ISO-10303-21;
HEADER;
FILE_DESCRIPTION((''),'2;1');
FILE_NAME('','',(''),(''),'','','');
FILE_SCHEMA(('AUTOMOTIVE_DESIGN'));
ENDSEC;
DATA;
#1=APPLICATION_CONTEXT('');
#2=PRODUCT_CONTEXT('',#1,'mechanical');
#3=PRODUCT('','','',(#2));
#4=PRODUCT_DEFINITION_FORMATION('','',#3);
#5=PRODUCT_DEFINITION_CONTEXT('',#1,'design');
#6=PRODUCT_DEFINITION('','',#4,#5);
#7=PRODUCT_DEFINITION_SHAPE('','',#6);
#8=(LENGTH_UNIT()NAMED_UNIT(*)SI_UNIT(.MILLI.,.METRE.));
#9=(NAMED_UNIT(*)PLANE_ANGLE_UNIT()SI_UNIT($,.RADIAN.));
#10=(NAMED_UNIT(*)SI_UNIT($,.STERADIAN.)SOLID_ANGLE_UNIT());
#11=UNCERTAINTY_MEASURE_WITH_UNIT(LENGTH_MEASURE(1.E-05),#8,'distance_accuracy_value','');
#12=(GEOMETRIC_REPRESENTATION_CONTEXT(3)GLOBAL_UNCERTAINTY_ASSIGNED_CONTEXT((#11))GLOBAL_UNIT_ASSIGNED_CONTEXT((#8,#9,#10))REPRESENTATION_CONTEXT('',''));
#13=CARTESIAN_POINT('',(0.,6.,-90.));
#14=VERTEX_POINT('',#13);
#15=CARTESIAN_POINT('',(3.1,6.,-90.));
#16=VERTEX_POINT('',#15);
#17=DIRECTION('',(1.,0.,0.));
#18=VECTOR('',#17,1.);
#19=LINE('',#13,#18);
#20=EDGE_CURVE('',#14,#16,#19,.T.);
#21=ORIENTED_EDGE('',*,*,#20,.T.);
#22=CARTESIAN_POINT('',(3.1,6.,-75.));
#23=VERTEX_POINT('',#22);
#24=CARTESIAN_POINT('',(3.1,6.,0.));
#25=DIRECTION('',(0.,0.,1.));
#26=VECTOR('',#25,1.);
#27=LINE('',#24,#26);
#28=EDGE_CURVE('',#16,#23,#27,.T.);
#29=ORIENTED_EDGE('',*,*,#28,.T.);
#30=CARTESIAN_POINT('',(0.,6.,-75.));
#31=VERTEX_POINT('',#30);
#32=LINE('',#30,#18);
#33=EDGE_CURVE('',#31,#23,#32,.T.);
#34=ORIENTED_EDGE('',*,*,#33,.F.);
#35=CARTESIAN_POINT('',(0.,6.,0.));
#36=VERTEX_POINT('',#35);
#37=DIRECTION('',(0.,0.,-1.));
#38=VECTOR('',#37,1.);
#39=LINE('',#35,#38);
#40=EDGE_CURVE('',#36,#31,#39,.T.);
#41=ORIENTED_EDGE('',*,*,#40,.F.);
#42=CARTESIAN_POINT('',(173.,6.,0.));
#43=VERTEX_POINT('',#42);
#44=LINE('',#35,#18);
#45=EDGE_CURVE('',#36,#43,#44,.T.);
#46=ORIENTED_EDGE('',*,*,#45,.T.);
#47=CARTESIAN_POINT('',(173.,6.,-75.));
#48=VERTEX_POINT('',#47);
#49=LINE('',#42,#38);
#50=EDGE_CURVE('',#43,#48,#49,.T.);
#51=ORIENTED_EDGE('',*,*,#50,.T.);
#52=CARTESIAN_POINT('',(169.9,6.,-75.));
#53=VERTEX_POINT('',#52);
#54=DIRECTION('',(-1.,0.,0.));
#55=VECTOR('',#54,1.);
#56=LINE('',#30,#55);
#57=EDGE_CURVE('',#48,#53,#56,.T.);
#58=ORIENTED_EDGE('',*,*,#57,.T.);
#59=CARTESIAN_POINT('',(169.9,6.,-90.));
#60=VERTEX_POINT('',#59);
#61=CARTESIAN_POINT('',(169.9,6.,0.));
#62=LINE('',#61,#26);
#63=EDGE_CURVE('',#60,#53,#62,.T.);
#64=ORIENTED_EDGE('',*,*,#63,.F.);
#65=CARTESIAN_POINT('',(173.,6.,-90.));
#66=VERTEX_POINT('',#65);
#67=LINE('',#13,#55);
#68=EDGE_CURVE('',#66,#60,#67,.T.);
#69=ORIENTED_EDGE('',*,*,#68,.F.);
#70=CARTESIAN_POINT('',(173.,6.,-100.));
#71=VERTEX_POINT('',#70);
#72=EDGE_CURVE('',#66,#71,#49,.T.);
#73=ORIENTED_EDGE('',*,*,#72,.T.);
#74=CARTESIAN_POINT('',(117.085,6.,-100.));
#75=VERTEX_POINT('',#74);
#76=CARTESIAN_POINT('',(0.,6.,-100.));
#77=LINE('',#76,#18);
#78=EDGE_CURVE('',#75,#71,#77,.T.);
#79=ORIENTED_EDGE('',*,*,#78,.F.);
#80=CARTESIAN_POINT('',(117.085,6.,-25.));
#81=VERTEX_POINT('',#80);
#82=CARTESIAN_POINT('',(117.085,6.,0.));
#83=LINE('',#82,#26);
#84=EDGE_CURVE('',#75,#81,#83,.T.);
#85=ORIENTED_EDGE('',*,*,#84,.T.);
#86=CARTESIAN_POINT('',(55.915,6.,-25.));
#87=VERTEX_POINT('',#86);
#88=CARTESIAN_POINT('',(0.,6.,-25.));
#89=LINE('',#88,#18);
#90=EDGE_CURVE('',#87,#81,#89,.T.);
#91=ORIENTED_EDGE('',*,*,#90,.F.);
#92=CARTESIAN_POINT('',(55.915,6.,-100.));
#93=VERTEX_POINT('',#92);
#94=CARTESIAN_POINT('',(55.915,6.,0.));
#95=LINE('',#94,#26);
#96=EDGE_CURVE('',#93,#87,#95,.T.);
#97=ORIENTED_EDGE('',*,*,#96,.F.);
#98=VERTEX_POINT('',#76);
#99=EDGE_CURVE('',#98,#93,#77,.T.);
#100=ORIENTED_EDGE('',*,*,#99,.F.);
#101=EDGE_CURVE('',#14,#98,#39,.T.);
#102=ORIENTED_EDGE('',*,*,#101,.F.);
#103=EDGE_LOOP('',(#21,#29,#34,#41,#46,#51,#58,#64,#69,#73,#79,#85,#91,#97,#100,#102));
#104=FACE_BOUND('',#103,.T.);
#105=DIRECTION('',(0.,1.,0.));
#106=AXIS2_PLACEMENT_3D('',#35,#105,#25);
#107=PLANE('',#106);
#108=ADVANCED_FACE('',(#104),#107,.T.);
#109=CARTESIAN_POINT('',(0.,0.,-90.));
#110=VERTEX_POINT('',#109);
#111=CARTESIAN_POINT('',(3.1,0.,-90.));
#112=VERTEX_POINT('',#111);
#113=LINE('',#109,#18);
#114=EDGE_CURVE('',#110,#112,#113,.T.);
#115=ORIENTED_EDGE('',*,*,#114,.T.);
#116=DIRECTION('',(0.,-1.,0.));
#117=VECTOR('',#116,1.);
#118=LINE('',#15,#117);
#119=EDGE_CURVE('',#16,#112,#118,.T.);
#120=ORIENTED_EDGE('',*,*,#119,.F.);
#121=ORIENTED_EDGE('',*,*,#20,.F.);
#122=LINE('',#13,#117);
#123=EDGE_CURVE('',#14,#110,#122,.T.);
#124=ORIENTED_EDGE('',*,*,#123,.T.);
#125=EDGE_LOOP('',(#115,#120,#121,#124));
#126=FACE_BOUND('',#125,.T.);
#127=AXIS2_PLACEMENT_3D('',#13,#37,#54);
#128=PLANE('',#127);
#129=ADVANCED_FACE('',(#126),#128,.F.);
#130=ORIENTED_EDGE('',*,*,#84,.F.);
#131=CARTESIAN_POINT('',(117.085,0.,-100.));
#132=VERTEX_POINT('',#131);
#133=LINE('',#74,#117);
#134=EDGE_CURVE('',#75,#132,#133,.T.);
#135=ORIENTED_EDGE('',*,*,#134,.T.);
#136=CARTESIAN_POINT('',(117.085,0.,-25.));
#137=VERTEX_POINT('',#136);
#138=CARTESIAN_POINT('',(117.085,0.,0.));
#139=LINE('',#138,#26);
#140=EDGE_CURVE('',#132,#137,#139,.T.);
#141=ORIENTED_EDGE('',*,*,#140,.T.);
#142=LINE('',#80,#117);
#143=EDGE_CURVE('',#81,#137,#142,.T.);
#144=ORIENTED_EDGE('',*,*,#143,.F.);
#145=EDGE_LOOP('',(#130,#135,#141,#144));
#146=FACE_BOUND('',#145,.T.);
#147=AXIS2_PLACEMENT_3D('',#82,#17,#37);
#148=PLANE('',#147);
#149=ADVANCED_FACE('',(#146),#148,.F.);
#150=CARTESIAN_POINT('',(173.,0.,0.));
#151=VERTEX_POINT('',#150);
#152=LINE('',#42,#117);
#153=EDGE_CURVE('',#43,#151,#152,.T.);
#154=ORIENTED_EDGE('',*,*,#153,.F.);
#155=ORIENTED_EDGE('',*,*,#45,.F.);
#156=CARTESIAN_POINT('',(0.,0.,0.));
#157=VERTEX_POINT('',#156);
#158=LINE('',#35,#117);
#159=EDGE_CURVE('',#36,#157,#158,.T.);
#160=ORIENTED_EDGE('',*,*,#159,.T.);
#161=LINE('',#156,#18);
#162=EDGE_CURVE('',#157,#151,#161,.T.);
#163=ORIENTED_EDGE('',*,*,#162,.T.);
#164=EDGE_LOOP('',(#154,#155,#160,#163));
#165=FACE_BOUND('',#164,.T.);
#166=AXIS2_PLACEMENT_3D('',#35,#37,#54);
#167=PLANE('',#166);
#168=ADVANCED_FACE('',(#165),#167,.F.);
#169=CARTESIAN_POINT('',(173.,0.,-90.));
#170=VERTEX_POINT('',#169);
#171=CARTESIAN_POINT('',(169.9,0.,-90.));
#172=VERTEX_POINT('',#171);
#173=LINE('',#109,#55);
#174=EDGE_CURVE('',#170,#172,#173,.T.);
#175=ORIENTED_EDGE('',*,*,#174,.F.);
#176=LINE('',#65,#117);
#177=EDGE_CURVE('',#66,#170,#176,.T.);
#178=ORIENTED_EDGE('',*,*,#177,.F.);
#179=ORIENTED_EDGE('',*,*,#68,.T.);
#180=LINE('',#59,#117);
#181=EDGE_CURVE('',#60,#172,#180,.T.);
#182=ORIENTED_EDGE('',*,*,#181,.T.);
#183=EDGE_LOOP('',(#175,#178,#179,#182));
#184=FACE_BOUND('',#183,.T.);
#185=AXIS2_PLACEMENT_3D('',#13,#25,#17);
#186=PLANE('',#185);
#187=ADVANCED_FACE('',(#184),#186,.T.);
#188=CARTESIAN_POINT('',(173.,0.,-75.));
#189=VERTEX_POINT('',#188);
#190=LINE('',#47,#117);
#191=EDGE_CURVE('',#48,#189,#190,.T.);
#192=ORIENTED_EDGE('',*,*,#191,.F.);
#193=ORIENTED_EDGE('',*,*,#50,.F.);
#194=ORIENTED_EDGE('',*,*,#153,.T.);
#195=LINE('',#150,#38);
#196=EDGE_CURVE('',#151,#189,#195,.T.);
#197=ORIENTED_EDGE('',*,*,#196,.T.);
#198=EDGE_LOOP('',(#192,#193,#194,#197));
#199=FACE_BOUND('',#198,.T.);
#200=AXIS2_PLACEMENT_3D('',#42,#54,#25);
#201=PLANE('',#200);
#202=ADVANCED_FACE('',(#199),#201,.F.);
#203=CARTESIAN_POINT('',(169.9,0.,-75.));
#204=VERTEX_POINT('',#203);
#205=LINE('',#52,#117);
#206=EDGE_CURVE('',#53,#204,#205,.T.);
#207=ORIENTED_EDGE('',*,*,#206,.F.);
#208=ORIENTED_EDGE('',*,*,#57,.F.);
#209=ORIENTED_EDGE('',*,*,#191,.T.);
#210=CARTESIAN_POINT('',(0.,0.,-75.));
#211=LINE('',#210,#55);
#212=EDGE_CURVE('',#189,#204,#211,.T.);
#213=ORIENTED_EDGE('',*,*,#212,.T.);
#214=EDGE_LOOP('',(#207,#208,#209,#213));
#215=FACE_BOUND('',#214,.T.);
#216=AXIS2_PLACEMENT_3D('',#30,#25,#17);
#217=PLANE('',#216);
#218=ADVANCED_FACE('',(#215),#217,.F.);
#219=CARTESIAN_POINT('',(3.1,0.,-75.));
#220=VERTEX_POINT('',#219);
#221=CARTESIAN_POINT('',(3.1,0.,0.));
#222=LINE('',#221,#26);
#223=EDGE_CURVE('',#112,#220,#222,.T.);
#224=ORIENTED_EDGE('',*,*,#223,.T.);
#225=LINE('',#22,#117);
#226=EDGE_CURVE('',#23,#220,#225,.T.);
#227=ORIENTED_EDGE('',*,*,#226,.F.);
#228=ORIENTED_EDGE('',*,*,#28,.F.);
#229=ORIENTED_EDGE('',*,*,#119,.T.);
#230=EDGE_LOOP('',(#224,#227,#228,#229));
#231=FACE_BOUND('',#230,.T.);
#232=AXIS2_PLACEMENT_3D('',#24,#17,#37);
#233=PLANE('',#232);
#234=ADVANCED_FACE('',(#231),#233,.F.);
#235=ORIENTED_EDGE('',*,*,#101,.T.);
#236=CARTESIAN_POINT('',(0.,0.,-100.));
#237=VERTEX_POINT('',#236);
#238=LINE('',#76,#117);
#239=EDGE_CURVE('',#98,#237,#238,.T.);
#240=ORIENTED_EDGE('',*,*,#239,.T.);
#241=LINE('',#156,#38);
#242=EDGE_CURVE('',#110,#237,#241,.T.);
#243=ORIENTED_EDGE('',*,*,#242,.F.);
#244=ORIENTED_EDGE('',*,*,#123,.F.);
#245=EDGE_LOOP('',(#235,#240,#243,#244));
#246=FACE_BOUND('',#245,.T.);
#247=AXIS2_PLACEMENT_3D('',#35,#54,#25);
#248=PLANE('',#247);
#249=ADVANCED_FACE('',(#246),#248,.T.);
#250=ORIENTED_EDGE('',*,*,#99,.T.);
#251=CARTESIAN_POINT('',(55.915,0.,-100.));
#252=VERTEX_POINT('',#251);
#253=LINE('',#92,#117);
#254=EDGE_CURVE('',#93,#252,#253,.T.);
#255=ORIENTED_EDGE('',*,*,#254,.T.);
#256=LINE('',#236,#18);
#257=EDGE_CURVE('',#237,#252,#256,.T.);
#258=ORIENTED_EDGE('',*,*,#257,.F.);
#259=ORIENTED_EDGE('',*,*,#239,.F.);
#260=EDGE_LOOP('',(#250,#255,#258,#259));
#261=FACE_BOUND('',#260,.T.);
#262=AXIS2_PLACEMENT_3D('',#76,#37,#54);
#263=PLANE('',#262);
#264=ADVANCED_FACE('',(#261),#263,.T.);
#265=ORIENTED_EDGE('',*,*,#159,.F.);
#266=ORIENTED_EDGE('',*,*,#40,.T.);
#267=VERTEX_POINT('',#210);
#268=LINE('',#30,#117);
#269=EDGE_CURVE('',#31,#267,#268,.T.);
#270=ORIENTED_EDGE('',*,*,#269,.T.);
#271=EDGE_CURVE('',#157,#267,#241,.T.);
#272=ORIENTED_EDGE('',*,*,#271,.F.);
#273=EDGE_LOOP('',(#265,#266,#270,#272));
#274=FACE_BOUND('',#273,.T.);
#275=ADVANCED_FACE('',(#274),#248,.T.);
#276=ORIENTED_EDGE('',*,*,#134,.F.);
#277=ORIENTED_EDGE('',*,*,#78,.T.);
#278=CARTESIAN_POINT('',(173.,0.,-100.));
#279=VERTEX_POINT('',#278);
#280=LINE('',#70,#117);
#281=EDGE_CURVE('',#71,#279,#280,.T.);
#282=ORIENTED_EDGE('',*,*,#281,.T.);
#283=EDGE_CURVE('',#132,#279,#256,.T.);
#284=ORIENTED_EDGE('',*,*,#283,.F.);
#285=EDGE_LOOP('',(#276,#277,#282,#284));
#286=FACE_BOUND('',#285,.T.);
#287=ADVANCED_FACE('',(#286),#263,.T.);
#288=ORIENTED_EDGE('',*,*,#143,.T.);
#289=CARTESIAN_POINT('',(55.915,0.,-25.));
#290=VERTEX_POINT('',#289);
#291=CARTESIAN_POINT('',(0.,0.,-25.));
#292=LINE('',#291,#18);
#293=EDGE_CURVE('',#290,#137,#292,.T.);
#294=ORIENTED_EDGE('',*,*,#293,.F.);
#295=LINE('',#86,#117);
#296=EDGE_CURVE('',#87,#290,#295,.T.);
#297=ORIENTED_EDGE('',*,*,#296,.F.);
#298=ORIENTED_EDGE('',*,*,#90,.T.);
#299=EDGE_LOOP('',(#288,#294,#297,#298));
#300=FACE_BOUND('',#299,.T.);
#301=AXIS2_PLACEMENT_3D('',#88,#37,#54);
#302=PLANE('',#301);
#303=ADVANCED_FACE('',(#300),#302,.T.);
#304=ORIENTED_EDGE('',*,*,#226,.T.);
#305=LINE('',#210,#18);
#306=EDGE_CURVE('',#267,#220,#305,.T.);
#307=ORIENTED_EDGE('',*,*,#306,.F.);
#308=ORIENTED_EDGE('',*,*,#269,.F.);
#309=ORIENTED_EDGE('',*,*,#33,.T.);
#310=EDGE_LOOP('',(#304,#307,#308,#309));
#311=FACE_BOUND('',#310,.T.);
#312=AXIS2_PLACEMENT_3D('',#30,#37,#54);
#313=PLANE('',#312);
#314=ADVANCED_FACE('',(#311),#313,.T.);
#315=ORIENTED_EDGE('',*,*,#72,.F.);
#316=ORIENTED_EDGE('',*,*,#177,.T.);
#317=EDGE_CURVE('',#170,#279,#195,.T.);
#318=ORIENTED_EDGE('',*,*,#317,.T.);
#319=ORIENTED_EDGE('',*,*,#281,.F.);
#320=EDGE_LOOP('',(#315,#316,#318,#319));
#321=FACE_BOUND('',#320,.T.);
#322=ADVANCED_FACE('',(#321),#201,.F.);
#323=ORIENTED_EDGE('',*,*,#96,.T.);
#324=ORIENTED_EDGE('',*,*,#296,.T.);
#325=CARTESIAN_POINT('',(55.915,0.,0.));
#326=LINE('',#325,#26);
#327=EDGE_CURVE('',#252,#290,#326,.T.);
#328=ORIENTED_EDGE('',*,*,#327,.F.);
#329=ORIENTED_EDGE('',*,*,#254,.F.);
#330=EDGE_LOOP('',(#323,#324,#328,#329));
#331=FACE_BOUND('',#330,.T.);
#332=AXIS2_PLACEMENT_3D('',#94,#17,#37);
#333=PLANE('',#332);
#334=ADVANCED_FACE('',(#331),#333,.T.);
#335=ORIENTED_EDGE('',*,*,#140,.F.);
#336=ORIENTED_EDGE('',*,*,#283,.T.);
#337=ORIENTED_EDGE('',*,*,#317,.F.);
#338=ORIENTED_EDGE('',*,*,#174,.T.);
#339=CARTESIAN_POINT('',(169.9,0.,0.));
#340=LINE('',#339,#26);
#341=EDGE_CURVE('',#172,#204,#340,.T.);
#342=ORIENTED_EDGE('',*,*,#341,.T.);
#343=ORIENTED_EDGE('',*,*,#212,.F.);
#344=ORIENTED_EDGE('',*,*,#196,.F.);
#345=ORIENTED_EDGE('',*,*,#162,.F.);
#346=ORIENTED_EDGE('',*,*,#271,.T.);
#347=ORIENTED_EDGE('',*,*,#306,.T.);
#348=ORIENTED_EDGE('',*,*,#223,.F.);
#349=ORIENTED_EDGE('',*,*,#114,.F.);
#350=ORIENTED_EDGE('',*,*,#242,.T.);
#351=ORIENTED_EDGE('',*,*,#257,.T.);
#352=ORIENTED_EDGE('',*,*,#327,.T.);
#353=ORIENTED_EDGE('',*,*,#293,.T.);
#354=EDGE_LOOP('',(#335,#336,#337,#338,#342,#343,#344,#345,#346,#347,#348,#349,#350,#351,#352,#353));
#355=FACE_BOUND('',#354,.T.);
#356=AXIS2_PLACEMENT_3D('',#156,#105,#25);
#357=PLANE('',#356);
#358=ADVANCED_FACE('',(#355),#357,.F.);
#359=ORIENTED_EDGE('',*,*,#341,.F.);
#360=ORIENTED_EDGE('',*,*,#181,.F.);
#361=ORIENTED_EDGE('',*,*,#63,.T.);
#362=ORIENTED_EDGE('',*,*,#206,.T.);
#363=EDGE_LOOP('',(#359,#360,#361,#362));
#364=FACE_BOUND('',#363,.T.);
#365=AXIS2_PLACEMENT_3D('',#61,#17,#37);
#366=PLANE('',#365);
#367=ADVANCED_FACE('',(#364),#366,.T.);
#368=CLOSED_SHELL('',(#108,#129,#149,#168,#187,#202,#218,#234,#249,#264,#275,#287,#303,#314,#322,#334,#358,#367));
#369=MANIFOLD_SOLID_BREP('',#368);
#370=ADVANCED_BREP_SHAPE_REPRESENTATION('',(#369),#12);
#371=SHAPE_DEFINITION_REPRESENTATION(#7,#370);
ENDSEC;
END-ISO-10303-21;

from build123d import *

# Parameters (mm, degrees)
BOSS_EXTRUDE1_DEPTH = 6


with BuildPart() as part:
    # Sketch1 → Boss-Extrude1 (new body)
    with BuildSketch(Plane(origin=(0, 0, 0), x_dir=(1, 0, 0), z_dir=(0, 1, 0))):
        Polygon((0, 0), (173, 0), (173, 75), (169.9, 75), (169.9, 90), (173, 90), (173, 100), (117.085, 100), (117.085, 25), (55.915, 25), (55.915, 100), (0, 100), (0, 90), (3.1, 90), (3.1, 75), (0, 75), align=None)
    extrude(amount=BOSS_EXTRUDE1_DEPTH)


solid = part.part
